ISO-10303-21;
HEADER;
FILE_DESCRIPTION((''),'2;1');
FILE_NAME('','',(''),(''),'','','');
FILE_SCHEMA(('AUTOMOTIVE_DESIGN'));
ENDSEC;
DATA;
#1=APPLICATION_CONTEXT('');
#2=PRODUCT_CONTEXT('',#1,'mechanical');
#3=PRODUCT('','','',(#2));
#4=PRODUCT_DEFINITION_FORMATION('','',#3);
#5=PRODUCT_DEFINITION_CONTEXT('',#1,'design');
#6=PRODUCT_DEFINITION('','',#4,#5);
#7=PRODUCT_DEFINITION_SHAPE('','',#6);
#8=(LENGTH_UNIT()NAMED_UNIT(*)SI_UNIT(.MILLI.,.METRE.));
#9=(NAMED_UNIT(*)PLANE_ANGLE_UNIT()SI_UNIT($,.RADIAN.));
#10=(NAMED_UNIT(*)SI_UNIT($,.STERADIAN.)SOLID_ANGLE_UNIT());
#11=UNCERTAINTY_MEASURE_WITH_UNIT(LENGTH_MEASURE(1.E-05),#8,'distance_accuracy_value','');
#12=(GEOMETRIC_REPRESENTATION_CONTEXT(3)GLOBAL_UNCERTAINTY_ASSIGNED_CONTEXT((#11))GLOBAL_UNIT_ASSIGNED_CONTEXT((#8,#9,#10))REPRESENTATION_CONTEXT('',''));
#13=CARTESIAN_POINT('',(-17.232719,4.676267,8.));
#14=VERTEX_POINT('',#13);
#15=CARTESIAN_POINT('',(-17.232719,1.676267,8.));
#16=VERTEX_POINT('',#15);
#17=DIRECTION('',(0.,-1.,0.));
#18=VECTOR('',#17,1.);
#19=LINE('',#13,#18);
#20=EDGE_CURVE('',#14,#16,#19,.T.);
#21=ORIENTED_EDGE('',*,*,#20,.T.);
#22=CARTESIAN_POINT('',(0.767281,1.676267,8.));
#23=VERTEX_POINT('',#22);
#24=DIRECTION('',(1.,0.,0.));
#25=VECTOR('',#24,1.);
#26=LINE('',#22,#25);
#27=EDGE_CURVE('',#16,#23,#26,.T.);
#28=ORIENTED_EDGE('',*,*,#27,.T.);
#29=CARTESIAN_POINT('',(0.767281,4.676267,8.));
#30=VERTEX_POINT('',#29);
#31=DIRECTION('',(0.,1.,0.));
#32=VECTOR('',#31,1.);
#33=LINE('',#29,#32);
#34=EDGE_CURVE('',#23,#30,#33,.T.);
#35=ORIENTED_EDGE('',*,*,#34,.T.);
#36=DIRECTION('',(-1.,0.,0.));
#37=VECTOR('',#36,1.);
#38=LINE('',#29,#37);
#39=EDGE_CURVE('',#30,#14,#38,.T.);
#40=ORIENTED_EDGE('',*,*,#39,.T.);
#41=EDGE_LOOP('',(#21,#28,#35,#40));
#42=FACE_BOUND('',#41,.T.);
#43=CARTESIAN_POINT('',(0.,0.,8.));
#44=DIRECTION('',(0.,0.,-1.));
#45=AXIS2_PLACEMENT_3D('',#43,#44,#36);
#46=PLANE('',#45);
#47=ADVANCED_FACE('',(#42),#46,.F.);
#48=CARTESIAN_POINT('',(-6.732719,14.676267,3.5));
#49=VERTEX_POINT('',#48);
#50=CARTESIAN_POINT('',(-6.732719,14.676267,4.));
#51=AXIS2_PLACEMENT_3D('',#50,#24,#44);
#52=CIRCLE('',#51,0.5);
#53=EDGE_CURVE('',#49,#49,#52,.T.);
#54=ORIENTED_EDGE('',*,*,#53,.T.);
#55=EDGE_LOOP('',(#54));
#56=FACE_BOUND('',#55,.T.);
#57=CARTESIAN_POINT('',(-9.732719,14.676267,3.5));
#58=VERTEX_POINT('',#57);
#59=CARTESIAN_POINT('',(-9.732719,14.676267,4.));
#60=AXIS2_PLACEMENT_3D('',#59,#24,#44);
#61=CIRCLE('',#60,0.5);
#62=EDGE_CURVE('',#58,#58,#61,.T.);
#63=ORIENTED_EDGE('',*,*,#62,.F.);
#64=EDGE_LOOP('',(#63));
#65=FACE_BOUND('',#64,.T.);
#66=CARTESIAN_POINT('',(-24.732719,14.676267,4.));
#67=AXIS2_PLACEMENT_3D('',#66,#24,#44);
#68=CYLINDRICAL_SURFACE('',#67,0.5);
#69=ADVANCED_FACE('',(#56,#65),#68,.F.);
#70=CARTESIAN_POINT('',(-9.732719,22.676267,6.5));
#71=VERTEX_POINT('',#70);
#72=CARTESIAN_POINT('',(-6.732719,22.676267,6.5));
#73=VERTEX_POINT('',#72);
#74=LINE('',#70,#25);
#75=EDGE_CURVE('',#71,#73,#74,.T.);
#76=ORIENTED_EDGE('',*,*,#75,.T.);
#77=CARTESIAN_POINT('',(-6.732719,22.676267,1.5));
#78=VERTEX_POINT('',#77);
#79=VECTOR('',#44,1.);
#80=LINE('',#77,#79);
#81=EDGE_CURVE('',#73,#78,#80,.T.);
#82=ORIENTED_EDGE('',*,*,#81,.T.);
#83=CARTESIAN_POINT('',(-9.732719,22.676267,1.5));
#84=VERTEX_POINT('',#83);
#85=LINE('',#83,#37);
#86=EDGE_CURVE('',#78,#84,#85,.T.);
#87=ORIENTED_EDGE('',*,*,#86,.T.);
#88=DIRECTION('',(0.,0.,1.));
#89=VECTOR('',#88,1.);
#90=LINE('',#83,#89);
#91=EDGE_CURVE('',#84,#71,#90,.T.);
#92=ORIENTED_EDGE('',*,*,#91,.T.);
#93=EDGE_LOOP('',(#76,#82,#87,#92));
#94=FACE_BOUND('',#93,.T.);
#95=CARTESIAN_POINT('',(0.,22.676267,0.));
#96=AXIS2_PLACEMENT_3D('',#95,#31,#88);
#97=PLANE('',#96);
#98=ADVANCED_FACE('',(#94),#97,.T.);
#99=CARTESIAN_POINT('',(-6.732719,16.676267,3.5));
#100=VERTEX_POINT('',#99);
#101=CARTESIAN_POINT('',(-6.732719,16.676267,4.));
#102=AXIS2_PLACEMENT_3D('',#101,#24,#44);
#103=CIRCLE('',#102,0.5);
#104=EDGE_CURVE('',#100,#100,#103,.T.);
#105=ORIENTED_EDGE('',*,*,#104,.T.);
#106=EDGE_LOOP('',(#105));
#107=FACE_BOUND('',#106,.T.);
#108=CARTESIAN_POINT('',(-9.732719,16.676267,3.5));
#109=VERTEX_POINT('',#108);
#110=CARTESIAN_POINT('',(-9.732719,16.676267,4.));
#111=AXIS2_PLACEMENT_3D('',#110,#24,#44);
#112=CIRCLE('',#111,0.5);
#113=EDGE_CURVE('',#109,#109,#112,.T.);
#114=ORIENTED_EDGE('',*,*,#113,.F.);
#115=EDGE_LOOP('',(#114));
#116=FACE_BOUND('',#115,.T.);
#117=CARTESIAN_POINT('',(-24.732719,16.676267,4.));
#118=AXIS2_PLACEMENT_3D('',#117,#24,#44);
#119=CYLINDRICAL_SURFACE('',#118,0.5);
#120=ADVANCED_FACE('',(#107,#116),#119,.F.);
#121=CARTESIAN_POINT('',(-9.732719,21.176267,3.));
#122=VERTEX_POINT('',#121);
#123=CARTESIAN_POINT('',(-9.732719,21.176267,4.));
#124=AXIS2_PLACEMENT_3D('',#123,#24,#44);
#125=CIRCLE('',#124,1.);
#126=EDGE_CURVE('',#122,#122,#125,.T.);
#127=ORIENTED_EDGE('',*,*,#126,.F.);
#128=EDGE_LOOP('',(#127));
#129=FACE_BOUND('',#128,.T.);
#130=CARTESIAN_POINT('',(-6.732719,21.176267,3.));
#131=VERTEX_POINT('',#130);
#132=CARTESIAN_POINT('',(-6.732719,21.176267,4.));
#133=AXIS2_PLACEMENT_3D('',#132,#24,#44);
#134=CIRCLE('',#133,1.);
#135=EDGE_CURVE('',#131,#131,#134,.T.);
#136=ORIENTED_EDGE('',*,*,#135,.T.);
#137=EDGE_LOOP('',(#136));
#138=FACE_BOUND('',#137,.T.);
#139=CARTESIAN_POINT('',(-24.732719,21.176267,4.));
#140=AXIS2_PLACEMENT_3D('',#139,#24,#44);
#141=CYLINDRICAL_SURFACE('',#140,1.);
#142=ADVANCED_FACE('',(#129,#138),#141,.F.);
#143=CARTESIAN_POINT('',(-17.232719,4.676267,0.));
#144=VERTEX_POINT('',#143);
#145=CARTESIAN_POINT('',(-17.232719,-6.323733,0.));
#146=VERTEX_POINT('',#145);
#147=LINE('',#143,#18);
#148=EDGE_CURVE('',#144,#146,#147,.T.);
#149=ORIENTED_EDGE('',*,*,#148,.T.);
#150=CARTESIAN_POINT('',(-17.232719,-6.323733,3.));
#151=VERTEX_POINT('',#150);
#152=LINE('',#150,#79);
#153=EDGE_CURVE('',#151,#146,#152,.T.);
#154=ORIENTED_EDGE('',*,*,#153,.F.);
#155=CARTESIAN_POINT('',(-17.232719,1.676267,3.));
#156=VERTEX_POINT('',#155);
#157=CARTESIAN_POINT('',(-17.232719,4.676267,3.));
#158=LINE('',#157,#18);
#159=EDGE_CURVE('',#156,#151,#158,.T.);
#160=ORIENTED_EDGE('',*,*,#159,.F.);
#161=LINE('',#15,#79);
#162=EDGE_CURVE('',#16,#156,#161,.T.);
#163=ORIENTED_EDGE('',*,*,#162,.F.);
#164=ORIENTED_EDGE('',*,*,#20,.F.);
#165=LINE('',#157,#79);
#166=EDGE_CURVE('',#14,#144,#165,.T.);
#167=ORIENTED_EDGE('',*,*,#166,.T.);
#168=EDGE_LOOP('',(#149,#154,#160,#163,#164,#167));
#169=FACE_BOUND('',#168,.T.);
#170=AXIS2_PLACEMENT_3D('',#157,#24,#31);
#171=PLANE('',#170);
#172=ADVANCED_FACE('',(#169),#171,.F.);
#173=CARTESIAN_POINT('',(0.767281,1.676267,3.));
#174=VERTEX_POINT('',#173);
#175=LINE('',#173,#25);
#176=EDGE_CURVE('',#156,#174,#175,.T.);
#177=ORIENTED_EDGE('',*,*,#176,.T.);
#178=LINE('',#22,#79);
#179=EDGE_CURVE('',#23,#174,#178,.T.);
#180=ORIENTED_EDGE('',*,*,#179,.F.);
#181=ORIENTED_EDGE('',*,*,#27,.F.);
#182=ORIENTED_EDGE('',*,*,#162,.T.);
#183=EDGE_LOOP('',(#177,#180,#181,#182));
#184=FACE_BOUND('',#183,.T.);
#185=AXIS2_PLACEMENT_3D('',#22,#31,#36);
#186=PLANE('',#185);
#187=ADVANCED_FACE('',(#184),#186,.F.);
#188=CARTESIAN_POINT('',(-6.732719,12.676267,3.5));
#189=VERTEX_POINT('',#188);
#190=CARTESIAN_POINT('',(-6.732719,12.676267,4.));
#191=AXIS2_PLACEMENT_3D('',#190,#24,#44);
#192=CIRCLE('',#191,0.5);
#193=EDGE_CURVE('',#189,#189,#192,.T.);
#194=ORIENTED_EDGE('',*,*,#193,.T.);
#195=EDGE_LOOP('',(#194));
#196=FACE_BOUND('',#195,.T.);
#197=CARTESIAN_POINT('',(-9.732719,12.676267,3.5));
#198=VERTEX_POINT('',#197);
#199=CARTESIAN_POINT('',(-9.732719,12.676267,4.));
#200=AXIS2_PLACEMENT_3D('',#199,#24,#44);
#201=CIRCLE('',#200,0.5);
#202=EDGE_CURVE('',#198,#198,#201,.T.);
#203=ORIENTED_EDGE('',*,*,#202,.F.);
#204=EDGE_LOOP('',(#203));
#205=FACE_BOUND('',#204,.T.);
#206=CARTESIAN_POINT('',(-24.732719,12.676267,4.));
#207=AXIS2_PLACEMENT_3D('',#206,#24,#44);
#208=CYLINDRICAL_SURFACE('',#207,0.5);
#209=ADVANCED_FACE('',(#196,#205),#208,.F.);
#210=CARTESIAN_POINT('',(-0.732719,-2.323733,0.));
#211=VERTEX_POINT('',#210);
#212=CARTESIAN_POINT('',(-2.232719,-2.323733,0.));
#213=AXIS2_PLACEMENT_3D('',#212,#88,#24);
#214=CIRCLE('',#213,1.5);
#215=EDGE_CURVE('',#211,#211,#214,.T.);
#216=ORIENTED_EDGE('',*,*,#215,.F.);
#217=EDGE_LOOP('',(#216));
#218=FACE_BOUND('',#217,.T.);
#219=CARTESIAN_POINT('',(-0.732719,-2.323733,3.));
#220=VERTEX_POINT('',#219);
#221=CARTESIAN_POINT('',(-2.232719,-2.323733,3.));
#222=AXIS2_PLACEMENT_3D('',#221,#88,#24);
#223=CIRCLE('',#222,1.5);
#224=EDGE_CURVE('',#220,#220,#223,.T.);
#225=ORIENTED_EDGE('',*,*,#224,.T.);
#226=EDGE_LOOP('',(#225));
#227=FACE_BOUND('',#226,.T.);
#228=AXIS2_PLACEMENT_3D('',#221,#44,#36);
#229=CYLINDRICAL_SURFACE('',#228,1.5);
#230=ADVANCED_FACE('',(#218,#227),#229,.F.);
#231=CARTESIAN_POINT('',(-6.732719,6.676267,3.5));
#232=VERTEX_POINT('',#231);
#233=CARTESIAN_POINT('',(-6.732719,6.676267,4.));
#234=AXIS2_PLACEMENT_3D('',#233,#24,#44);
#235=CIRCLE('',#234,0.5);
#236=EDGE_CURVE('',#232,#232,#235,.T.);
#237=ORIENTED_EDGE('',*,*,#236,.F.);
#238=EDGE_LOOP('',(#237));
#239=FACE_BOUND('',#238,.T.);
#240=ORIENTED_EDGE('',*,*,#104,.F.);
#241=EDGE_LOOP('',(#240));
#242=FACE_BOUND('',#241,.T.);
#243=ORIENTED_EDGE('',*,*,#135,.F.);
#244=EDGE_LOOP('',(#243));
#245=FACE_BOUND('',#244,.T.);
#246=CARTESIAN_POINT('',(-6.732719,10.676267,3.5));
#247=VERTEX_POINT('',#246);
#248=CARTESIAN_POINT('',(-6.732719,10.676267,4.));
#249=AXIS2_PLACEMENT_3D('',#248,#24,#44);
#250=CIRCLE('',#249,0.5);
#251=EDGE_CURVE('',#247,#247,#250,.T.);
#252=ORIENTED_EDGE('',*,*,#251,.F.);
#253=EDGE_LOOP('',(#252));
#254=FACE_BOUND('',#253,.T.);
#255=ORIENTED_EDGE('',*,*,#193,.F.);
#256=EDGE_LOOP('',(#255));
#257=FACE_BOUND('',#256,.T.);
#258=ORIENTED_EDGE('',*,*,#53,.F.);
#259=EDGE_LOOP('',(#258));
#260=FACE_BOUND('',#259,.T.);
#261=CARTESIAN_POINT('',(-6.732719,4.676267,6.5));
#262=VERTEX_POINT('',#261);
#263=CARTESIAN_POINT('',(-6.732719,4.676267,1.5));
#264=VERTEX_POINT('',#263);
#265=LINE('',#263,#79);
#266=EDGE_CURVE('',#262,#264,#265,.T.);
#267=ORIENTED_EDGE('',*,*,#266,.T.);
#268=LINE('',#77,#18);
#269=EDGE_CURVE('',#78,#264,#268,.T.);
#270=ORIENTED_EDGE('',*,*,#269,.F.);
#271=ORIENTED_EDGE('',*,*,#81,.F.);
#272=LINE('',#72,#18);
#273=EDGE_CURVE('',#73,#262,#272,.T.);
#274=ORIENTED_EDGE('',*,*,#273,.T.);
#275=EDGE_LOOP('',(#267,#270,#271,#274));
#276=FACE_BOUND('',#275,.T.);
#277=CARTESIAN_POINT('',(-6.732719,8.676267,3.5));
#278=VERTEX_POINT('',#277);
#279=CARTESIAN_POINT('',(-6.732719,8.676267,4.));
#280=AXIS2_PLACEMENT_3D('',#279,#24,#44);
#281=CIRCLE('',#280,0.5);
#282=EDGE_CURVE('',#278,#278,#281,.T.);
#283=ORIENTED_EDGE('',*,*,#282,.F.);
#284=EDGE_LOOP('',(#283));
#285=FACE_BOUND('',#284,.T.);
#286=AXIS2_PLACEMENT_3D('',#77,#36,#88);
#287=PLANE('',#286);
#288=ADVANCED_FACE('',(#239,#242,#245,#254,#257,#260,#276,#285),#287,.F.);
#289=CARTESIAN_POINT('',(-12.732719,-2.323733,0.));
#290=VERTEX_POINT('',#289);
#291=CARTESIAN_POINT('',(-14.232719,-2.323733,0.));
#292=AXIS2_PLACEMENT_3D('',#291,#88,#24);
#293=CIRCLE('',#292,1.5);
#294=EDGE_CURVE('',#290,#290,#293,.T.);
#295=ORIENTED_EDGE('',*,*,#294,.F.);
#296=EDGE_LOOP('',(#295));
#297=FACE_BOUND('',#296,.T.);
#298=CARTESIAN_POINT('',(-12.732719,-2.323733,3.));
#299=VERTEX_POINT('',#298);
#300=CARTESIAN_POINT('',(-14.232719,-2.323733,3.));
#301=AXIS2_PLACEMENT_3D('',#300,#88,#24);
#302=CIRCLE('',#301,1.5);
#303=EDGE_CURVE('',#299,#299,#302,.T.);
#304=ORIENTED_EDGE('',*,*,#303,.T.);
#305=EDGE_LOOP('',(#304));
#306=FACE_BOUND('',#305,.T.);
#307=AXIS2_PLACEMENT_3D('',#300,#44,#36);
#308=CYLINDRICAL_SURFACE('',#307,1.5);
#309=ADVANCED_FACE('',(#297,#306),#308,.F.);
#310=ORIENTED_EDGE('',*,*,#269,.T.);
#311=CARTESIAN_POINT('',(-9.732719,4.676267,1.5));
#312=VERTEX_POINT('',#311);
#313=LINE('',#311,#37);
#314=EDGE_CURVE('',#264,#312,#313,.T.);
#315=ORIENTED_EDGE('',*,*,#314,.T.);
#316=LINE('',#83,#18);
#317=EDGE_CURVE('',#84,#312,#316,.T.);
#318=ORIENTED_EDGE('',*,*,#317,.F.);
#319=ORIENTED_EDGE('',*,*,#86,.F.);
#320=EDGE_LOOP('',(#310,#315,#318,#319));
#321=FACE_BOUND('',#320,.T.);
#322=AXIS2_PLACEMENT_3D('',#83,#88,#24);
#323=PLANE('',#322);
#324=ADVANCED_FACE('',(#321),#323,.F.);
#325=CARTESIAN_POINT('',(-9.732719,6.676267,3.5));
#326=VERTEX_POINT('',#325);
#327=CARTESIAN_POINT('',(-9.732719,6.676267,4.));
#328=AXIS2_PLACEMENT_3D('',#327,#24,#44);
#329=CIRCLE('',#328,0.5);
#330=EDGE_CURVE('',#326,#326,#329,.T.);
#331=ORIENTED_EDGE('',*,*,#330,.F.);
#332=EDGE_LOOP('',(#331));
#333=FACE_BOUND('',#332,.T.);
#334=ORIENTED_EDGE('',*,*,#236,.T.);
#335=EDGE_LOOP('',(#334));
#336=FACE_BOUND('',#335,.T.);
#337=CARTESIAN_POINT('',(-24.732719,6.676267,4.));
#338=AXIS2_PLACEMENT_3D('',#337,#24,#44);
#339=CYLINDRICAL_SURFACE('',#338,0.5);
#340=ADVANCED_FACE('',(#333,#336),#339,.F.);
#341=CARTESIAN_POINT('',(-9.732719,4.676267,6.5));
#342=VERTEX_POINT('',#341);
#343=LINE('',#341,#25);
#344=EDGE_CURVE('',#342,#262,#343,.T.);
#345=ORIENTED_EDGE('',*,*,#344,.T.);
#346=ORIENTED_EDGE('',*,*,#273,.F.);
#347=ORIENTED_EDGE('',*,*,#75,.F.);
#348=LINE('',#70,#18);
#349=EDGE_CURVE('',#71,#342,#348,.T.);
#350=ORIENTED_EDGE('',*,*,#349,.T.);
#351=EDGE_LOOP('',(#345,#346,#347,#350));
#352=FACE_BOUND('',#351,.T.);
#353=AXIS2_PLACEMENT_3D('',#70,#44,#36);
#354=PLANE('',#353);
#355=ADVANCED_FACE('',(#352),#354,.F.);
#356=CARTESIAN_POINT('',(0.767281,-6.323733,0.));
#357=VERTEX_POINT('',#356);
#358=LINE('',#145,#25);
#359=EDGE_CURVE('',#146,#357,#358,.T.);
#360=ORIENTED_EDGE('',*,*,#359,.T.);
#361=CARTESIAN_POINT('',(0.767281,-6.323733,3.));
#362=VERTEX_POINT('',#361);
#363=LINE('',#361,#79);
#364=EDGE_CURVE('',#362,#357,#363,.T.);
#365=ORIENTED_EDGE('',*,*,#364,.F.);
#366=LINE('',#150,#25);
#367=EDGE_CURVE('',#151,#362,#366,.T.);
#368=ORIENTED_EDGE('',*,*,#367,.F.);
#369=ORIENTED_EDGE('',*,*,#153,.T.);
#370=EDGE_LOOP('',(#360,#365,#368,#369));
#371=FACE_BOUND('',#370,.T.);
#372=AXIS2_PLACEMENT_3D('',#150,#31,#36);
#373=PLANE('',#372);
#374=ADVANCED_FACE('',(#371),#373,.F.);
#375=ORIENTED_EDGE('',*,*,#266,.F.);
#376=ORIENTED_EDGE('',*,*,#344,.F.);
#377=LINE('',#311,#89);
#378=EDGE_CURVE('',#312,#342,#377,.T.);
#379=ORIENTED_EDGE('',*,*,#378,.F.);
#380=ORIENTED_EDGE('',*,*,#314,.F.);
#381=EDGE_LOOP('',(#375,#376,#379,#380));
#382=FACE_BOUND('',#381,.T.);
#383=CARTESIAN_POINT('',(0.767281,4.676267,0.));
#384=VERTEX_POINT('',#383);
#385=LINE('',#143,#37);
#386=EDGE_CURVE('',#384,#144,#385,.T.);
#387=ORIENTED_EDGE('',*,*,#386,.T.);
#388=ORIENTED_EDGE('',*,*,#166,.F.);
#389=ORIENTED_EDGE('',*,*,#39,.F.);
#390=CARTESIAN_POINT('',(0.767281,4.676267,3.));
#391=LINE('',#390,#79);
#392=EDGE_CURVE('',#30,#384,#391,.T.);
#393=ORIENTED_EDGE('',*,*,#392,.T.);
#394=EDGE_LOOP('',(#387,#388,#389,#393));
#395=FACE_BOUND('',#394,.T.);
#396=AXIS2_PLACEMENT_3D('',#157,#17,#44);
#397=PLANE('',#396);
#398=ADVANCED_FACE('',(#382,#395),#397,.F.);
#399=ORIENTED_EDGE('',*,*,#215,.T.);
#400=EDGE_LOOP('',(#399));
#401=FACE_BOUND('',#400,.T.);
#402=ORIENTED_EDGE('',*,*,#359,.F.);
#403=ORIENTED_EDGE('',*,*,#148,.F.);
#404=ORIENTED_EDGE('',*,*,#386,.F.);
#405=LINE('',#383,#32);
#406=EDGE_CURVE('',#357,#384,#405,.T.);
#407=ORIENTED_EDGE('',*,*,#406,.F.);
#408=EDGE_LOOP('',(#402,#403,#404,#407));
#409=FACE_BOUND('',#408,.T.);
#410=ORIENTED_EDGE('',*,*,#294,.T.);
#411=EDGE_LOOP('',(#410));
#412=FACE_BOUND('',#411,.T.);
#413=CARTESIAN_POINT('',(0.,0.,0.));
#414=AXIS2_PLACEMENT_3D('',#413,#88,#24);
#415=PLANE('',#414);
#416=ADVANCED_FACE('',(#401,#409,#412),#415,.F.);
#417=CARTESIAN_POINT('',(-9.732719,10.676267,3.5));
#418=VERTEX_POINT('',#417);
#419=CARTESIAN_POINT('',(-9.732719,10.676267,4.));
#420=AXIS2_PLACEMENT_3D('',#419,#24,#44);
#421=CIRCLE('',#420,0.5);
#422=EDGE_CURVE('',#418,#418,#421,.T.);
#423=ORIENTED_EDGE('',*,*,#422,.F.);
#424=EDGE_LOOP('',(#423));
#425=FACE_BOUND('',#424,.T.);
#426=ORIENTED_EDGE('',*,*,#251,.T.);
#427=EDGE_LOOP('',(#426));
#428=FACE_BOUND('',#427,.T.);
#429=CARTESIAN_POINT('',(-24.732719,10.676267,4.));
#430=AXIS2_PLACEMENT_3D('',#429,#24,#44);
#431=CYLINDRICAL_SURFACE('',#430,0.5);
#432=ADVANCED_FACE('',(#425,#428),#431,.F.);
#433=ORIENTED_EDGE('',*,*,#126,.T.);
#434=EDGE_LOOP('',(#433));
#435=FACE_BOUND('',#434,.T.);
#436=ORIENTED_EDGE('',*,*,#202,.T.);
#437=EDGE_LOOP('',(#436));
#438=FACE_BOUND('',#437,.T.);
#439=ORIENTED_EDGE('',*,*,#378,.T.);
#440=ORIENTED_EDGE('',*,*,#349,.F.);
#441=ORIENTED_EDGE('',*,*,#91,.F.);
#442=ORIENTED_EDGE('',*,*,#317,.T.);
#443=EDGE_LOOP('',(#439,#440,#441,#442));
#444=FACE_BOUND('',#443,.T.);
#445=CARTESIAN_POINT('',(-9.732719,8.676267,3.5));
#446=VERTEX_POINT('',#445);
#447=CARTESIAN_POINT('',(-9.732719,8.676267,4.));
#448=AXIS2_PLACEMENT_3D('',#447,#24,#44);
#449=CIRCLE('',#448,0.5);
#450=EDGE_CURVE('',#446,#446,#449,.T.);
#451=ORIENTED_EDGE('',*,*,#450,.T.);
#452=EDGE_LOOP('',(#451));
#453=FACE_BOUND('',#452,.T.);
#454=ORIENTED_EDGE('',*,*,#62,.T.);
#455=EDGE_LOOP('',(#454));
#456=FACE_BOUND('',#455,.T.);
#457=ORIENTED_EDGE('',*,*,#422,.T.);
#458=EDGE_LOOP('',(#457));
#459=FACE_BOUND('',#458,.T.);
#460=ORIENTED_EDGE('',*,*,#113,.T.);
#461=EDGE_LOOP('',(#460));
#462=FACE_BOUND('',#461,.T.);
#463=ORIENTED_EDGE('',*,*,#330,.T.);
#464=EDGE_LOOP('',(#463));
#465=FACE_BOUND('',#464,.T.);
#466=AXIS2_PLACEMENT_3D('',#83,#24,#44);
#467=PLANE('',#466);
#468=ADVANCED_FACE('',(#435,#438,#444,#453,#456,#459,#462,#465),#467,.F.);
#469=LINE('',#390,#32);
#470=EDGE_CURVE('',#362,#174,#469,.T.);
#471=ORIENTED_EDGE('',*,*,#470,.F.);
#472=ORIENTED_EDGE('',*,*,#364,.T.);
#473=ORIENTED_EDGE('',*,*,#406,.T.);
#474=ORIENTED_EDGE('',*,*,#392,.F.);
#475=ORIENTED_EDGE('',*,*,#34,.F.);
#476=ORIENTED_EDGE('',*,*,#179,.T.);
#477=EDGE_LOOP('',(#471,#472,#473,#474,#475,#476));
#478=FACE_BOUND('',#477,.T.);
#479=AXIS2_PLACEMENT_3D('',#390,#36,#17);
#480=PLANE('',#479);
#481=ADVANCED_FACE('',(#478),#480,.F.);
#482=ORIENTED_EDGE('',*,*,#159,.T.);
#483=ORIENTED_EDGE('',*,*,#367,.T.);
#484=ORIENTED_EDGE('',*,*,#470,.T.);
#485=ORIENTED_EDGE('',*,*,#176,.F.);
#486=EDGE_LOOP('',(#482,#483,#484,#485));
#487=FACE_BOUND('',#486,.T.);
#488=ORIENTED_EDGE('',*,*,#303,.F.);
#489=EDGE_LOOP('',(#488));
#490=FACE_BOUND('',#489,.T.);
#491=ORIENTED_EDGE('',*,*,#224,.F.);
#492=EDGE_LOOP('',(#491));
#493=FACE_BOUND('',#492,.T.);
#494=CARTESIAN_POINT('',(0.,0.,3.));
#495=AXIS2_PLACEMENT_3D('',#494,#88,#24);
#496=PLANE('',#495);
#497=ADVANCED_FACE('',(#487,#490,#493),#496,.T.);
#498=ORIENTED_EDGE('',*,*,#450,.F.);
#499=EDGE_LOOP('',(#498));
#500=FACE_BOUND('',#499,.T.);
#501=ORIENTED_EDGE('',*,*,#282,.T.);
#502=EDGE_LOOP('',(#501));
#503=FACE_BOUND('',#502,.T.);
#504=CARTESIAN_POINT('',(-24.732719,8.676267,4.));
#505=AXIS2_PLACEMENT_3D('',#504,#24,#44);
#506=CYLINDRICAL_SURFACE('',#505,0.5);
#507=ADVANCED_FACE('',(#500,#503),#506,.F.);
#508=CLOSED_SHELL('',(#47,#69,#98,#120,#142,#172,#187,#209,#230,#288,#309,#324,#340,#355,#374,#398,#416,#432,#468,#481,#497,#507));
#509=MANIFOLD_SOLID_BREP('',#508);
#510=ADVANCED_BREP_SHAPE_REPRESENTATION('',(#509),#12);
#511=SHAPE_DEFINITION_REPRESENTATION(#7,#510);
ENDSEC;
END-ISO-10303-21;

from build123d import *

# Parameters (mm, degrees)
ESQUISSE1_W             = 18
ESQUISSE1_H             = 11
ESQUISSE1_R             = 1.5
BOSS_EXTRU_1_DEPTH      = 3
ESQUISSE2_W             = 18
ESQUISSE2_H             = 3
BOSS_EXTRU_2_DEPTH      = 5
ESQUISSE3_W             = 3
ESQUISSE3_H             = 5
BOSS_EXTRU_3_DEPTH      = 18
ESQUISSE4_R             = 0.5
ESQUISSE4_R_2           = 1
ENL_V_MAT_EXTRU_1_DEPTH = 18


with BuildPart() as part:
    # Esquisse1 → Boss.-Extru.1 (new body)
    with BuildSketch(Plane.XY):
        with Locations((-8.232718894, -0.823732719)):
            Rectangle(ESQUISSE1_W, ESQUISSE1_H)
        with Locations((-14.232718894, -2.323732719)):
            Circle(ESQUISSE1_R, mode=Mode.SUBTRACT)
        with Locations((-2.232718894, -2.323732719)):
            Circle(ESQUISSE1_R, mode=Mode.SUBTRACT)
    extrude(amount=BOSS_EXTRU_1_DEPTH)

    # Esquisse2 → Boss.-Extru.2 (add)
    with BuildSketch(Plane.XY.offset(3)):
        with Locations((-8.232718894, 3.176267281)):
            Rectangle(ESQUISSE2_W, ESQUISSE2_H)
    extrude(amount=BOSS_EXTRU_2_DEPTH)

    # Esquisse3 → Boss.-Extru.3 (add)
    with BuildSketch(Plane(origin=(0, 4.676267281, 0), x_dir=(1, 0, 0), z_dir=(0, 1, 0))):
        with Locations((-8.232718894, -4)):
            Rectangle(ESQUISSE3_W, ESQUISSE3_H)
    extrude(amount=BOSS_EXTRU_3_DEPTH)

    # Esquisse4 → Enlèv. mat.-Extru.1 (cut)
    with BuildSketch(Plane(origin=(-6.732718894, 0, 0), x_dir=(0, 0, -1), z_dir=(1, 0, 0))):
        with BuildLine():
            ThreePointArc((-4, 7.176267281), (-4.5, 6.676267281), (-4, 6.176267281))
            Line((-4, 6.176267281), (-4, 7.176267281))
        make_face()
        with BuildLine():
            Line((-4, 7.176267281), (-4, 6.176267281))
            ThreePointArc((-4, 6.176267281), (-3.646446609, 6.322713891), (-3.5, 6.676267281))
            ThreePointArc((-3.5, 6.676267281), (-3.646446609, 7.029820672), (-4, 7.176267281))
        make_face()
        with Locations((-4, 8.676267281)):
            Circle(ESQUISSE4_R)
        with Locations((-4, 10.676267281)):
            Circle(ESQUISSE4_R)
        with Locations((-4, 12.676267281)):
            Circle(ESQUISSE4_R)
        with Locations((-4, 14.676267281)):
            Circle(ESQUISSE4_R)
        with Locations((-4, 16.676267281)):
            Circle(ESQUISSE4_R)
        with Locations((-4, 21.176267281)):
            Circle(ESQUISSE4_R_2)
    extrude(amount=-ENL_V_MAT_EXTRU_1_DEPTH, mode=Mode.SUBTRACT)


solid = part.part
